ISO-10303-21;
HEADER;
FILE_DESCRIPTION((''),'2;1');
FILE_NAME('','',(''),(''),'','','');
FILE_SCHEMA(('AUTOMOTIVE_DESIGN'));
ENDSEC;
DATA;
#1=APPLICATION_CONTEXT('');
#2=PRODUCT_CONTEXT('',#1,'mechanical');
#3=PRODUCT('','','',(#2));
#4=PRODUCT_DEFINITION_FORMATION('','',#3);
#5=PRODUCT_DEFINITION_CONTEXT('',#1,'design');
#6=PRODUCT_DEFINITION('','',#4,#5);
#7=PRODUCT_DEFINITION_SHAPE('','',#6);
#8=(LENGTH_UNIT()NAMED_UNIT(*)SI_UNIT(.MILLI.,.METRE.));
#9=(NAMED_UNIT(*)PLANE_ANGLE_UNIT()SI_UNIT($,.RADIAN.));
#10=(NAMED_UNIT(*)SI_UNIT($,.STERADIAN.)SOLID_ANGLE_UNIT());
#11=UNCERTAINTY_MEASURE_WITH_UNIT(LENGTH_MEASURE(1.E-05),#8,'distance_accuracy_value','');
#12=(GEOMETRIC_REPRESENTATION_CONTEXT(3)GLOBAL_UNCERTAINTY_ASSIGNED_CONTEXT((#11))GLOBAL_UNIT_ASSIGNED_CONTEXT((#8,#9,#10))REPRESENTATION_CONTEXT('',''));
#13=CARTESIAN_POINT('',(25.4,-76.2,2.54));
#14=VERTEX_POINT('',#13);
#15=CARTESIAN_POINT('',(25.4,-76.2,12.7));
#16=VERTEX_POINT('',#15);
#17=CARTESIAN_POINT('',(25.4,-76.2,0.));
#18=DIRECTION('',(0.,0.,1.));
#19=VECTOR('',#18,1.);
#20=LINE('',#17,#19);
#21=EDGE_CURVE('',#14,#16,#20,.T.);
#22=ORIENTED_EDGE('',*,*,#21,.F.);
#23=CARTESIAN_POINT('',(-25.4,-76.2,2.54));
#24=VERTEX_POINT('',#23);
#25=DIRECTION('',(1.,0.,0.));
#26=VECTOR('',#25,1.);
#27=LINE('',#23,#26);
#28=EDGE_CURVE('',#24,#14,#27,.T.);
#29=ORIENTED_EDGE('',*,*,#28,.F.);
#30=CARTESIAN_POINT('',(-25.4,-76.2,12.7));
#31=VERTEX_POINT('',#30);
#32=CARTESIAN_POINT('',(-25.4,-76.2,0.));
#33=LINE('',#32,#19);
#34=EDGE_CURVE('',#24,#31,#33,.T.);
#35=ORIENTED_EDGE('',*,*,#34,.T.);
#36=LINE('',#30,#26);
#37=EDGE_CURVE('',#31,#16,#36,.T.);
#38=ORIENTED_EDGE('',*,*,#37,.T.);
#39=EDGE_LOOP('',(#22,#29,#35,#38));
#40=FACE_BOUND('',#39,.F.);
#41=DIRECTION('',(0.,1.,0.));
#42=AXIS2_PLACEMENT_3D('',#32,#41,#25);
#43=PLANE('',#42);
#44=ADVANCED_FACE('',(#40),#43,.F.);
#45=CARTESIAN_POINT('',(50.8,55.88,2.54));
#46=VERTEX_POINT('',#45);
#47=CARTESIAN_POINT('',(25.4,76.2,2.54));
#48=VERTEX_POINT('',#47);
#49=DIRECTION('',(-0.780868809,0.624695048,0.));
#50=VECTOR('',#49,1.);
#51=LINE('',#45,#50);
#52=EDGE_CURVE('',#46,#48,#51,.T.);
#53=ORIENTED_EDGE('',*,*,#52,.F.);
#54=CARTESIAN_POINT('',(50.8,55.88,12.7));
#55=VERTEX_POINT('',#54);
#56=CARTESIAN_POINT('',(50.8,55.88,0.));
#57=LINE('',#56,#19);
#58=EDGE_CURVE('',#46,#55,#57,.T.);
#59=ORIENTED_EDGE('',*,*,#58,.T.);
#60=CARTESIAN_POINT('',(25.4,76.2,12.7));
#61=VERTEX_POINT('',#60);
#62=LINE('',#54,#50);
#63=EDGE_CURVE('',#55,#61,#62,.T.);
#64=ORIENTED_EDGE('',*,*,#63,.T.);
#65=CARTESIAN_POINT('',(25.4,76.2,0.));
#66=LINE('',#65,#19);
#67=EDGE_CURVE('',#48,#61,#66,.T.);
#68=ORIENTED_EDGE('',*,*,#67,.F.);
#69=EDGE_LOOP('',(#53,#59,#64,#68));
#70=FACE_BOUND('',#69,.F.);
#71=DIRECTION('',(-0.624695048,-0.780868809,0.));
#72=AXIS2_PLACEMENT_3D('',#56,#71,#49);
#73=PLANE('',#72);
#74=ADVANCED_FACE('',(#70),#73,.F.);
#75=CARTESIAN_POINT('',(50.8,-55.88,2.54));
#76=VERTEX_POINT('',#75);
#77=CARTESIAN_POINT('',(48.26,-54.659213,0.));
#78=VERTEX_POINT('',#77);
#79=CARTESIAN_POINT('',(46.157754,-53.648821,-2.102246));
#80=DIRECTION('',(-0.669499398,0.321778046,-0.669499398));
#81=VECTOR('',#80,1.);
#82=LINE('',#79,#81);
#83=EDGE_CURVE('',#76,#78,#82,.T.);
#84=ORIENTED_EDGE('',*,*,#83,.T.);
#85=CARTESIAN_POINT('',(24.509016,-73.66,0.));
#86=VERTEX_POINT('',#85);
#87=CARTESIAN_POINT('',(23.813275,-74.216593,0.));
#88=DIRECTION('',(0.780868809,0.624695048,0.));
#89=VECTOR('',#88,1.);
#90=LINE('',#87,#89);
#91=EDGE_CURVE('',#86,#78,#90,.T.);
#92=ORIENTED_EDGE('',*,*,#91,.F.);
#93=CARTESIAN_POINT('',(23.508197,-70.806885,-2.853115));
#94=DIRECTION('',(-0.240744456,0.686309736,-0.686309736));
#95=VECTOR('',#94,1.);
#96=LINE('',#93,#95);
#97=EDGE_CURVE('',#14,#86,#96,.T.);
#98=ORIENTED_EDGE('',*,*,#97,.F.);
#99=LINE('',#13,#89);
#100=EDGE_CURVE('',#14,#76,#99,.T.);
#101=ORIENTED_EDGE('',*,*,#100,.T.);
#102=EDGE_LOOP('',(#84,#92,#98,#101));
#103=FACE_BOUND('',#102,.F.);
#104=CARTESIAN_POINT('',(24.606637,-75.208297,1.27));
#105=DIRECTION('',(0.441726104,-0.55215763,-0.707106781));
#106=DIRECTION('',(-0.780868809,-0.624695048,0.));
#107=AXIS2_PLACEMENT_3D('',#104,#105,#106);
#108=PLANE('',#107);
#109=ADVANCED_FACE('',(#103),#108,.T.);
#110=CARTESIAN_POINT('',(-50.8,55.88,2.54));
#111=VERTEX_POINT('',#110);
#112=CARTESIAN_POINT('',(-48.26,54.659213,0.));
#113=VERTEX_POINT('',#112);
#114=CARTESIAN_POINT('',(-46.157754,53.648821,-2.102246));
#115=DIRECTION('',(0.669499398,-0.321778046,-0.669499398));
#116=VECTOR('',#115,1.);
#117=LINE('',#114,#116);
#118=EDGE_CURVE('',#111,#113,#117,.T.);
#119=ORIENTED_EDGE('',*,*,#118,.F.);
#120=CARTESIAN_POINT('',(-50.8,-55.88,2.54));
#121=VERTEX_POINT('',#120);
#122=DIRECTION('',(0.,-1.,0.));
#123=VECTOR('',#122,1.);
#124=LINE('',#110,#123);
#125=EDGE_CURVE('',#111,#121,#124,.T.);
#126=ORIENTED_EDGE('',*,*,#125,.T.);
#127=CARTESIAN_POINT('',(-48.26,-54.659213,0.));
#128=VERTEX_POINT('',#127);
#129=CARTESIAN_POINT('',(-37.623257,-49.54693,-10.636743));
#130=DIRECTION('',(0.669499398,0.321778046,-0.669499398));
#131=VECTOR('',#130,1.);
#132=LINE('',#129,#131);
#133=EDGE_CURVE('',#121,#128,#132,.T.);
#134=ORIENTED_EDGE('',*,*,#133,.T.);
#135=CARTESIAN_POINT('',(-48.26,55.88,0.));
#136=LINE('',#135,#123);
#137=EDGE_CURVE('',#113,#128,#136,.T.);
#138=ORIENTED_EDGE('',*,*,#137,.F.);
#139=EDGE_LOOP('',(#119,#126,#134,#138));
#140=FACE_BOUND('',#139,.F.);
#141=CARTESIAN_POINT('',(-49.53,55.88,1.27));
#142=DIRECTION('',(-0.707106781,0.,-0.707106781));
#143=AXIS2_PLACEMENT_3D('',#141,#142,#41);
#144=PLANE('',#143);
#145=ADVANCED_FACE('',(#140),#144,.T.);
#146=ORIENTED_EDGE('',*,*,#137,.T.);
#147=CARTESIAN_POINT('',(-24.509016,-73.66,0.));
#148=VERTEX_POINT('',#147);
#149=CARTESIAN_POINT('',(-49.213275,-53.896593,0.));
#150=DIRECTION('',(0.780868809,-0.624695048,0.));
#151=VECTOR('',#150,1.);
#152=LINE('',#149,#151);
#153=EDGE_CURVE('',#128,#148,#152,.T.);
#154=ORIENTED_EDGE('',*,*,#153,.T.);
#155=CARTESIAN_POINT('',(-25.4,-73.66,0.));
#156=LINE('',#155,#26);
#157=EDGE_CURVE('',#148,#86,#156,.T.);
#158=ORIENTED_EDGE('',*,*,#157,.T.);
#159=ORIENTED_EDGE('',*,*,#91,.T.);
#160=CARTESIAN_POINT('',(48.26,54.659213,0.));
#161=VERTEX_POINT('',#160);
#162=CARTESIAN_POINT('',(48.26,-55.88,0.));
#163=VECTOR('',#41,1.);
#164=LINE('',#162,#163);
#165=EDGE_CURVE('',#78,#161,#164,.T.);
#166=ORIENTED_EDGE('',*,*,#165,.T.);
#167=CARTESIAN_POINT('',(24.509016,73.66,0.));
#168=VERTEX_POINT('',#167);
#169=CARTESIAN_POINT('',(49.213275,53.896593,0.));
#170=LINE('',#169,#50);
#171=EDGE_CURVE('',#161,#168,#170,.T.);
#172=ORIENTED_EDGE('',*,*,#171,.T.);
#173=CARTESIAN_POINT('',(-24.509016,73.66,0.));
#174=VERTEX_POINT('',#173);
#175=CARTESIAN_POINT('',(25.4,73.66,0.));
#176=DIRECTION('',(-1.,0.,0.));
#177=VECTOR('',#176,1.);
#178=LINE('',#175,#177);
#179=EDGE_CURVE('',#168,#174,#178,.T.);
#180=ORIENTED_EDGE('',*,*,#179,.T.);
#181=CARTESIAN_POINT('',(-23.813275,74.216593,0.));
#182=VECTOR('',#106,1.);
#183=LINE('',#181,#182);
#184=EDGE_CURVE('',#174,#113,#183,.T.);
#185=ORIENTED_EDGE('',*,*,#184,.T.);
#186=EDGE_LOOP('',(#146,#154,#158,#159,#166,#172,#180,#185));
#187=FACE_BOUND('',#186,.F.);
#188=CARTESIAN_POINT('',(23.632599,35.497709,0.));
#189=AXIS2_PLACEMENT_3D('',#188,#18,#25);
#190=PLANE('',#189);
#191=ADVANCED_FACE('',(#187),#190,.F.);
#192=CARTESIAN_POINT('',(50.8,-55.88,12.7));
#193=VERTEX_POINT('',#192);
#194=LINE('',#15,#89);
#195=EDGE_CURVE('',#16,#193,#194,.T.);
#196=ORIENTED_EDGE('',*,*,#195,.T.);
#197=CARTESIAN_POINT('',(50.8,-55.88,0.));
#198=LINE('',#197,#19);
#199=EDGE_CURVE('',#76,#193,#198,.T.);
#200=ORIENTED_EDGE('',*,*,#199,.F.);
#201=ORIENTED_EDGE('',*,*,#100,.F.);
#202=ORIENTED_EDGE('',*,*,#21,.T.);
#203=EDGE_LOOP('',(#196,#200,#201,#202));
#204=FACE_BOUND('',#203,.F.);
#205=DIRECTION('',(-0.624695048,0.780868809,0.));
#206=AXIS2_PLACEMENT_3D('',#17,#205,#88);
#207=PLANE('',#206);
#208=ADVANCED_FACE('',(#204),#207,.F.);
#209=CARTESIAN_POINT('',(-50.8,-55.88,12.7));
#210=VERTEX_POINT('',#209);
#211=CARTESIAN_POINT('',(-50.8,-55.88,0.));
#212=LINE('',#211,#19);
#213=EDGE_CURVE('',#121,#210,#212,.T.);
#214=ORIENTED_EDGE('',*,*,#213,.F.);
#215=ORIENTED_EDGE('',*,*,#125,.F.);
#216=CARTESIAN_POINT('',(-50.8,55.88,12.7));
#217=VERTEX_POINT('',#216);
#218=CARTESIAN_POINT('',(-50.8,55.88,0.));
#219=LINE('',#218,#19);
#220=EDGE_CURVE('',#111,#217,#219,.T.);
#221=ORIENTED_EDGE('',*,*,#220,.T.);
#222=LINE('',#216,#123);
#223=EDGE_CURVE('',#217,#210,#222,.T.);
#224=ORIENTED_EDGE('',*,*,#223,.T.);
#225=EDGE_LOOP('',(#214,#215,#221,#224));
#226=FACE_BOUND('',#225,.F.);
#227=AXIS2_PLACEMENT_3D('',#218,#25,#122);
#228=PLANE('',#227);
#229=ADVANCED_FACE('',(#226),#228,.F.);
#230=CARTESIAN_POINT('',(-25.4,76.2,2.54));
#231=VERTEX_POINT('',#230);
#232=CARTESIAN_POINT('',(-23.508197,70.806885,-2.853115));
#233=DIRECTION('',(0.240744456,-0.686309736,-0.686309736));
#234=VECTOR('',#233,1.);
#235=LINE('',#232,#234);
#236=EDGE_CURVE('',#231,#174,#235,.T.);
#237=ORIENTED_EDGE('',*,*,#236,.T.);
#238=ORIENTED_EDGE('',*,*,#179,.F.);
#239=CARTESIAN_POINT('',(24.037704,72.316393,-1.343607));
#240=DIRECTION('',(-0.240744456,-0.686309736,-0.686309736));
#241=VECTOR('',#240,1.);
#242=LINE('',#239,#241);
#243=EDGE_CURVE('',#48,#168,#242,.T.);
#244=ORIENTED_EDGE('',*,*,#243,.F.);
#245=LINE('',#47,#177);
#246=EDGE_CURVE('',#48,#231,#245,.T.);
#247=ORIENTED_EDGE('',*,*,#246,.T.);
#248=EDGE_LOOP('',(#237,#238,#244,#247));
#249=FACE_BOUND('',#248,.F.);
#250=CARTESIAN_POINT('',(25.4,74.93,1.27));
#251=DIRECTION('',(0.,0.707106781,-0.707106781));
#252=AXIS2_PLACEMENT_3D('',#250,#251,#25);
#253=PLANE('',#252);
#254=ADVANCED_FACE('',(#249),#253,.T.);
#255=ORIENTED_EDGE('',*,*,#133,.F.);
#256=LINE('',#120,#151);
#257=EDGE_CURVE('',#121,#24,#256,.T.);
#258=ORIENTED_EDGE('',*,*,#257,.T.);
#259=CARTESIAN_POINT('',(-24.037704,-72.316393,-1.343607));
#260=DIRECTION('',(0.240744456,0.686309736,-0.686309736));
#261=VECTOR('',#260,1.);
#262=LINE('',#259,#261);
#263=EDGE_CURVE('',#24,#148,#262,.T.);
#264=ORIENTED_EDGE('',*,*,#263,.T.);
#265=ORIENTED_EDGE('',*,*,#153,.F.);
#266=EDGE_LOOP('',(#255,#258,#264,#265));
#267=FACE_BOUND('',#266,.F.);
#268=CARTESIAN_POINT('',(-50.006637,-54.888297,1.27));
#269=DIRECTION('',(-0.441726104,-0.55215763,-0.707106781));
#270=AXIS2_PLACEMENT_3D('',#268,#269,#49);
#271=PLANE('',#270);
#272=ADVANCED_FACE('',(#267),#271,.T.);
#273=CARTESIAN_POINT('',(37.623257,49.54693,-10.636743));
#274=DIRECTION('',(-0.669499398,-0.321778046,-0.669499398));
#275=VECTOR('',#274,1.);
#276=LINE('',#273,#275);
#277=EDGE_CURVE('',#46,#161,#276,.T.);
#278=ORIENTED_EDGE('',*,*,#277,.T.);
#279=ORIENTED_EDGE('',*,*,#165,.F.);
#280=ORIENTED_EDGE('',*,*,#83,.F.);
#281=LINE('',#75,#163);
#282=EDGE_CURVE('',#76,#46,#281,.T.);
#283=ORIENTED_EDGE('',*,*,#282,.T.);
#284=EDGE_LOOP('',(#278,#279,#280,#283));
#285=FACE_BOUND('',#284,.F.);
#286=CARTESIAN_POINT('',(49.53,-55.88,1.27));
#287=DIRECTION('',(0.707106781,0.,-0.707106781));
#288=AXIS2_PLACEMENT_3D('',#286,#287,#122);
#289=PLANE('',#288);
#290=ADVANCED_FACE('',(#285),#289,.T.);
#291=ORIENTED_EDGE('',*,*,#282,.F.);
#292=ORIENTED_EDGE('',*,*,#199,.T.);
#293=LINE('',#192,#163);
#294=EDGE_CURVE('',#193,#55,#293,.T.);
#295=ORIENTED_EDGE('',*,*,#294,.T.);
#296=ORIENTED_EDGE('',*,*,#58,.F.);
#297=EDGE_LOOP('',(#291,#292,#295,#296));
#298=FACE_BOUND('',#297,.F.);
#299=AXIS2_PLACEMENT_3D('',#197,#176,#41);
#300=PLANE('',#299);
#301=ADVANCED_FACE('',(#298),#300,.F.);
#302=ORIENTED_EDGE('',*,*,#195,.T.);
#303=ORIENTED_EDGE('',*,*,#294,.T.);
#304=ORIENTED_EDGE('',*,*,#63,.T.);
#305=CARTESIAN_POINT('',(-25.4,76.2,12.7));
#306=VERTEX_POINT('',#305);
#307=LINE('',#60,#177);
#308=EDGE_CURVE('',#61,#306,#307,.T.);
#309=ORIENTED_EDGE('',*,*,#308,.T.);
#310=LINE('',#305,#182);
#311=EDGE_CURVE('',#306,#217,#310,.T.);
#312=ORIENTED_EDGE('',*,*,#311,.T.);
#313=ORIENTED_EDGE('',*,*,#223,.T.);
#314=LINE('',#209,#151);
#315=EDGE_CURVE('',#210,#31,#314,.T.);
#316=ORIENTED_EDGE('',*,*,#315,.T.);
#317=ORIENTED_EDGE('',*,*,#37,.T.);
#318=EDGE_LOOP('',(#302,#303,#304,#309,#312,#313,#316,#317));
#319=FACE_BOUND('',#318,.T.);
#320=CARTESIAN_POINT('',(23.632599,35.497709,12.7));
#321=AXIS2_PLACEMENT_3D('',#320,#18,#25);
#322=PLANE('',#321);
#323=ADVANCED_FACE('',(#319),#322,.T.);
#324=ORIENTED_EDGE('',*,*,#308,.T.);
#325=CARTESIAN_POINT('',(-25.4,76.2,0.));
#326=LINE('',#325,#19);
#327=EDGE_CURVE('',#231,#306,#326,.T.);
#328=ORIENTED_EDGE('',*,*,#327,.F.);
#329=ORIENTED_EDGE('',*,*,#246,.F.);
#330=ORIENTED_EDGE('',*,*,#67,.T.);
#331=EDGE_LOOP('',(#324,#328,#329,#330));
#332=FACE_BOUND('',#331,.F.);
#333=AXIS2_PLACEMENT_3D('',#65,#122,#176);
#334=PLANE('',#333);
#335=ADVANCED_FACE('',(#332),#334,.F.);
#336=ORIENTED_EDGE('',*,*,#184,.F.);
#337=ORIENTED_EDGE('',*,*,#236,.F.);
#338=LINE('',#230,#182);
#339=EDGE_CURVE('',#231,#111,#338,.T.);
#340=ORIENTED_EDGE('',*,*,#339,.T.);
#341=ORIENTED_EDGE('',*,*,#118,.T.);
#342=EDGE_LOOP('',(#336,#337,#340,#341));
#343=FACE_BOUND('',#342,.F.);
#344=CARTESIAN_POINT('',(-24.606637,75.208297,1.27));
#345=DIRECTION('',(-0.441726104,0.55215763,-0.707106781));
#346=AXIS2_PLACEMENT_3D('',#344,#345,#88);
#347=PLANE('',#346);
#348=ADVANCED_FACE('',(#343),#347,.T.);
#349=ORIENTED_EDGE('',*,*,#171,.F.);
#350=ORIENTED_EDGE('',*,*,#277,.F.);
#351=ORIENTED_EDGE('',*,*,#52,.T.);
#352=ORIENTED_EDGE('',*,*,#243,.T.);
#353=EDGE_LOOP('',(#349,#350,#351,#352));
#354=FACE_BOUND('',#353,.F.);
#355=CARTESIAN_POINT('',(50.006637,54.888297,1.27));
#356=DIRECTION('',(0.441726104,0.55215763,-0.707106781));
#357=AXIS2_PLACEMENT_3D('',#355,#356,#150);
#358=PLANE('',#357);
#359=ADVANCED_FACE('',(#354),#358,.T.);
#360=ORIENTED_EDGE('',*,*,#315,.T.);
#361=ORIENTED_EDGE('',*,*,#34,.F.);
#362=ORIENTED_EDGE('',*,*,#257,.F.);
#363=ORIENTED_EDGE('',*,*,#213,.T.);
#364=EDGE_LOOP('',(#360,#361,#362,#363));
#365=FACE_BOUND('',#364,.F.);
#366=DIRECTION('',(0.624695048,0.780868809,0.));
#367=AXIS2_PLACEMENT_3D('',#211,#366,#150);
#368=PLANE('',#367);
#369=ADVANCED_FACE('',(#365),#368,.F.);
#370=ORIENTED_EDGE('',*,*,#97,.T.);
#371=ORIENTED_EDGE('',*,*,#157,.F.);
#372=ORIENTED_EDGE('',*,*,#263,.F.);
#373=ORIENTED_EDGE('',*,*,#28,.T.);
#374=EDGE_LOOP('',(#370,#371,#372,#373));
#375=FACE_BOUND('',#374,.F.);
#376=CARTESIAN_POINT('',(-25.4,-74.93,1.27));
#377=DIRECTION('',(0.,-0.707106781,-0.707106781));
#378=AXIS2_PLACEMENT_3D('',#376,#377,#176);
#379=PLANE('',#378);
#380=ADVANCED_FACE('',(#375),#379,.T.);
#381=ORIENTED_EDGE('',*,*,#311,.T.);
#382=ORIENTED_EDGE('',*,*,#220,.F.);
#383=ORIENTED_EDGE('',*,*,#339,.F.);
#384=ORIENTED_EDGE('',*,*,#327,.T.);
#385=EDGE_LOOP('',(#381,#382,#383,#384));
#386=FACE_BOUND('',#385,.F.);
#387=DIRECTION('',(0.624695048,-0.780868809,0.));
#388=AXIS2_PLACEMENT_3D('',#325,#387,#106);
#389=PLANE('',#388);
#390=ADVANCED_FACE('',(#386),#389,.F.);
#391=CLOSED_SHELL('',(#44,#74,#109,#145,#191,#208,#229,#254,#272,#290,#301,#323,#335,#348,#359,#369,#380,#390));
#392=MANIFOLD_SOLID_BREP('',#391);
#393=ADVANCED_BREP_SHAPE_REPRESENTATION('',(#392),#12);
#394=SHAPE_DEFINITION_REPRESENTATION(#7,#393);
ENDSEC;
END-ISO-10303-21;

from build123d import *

# Parameters (mm, degrees)
F1_DEPTH = 12.7
F2_SIZE  = 2.54


with BuildPart() as f1:
    # F0 (on Top) → F1 (new body)
    with BuildSketch(Plane.XY):
        Polygon((0, 76.2), (0, 0), (50.8, 0), (50.8, 55.88), (25.4, 76.2), align=None)
        Polygon((-50.8, 0), (0, 0), (0, 76.2), (-25.4, 76.2), (-50.8, 55.88), align=None)
        Polygon((0, -76.2), (0, 0), (-50.8, 0), (-50.8, -55.88), (-25.4, -76.2), align=None)
        Polygon((50.8, 0), (0, 0), (0, -76.2), (25.4, -76.2), (50.8, -55.88), align=None)
    extrude(amount=F1_DEPTH)

    # F2
    f2_edges = [f1.edges().sort_by_distance(p)[0] for p in [
        (50.8, 0, 0),
        (38.1, 66.04, 0),
        (0, 76.2, 0),
        (-38.1, 66.04, 0),
        (-50.8, 0, 0),
        (-38.1, -66.04, 0),
        (0, -76.2, 0),
        (38.1, -66.04, 0),
    ]]
    chamfer(f2_edges, length=F2_SIZE)


solid = f1.part
